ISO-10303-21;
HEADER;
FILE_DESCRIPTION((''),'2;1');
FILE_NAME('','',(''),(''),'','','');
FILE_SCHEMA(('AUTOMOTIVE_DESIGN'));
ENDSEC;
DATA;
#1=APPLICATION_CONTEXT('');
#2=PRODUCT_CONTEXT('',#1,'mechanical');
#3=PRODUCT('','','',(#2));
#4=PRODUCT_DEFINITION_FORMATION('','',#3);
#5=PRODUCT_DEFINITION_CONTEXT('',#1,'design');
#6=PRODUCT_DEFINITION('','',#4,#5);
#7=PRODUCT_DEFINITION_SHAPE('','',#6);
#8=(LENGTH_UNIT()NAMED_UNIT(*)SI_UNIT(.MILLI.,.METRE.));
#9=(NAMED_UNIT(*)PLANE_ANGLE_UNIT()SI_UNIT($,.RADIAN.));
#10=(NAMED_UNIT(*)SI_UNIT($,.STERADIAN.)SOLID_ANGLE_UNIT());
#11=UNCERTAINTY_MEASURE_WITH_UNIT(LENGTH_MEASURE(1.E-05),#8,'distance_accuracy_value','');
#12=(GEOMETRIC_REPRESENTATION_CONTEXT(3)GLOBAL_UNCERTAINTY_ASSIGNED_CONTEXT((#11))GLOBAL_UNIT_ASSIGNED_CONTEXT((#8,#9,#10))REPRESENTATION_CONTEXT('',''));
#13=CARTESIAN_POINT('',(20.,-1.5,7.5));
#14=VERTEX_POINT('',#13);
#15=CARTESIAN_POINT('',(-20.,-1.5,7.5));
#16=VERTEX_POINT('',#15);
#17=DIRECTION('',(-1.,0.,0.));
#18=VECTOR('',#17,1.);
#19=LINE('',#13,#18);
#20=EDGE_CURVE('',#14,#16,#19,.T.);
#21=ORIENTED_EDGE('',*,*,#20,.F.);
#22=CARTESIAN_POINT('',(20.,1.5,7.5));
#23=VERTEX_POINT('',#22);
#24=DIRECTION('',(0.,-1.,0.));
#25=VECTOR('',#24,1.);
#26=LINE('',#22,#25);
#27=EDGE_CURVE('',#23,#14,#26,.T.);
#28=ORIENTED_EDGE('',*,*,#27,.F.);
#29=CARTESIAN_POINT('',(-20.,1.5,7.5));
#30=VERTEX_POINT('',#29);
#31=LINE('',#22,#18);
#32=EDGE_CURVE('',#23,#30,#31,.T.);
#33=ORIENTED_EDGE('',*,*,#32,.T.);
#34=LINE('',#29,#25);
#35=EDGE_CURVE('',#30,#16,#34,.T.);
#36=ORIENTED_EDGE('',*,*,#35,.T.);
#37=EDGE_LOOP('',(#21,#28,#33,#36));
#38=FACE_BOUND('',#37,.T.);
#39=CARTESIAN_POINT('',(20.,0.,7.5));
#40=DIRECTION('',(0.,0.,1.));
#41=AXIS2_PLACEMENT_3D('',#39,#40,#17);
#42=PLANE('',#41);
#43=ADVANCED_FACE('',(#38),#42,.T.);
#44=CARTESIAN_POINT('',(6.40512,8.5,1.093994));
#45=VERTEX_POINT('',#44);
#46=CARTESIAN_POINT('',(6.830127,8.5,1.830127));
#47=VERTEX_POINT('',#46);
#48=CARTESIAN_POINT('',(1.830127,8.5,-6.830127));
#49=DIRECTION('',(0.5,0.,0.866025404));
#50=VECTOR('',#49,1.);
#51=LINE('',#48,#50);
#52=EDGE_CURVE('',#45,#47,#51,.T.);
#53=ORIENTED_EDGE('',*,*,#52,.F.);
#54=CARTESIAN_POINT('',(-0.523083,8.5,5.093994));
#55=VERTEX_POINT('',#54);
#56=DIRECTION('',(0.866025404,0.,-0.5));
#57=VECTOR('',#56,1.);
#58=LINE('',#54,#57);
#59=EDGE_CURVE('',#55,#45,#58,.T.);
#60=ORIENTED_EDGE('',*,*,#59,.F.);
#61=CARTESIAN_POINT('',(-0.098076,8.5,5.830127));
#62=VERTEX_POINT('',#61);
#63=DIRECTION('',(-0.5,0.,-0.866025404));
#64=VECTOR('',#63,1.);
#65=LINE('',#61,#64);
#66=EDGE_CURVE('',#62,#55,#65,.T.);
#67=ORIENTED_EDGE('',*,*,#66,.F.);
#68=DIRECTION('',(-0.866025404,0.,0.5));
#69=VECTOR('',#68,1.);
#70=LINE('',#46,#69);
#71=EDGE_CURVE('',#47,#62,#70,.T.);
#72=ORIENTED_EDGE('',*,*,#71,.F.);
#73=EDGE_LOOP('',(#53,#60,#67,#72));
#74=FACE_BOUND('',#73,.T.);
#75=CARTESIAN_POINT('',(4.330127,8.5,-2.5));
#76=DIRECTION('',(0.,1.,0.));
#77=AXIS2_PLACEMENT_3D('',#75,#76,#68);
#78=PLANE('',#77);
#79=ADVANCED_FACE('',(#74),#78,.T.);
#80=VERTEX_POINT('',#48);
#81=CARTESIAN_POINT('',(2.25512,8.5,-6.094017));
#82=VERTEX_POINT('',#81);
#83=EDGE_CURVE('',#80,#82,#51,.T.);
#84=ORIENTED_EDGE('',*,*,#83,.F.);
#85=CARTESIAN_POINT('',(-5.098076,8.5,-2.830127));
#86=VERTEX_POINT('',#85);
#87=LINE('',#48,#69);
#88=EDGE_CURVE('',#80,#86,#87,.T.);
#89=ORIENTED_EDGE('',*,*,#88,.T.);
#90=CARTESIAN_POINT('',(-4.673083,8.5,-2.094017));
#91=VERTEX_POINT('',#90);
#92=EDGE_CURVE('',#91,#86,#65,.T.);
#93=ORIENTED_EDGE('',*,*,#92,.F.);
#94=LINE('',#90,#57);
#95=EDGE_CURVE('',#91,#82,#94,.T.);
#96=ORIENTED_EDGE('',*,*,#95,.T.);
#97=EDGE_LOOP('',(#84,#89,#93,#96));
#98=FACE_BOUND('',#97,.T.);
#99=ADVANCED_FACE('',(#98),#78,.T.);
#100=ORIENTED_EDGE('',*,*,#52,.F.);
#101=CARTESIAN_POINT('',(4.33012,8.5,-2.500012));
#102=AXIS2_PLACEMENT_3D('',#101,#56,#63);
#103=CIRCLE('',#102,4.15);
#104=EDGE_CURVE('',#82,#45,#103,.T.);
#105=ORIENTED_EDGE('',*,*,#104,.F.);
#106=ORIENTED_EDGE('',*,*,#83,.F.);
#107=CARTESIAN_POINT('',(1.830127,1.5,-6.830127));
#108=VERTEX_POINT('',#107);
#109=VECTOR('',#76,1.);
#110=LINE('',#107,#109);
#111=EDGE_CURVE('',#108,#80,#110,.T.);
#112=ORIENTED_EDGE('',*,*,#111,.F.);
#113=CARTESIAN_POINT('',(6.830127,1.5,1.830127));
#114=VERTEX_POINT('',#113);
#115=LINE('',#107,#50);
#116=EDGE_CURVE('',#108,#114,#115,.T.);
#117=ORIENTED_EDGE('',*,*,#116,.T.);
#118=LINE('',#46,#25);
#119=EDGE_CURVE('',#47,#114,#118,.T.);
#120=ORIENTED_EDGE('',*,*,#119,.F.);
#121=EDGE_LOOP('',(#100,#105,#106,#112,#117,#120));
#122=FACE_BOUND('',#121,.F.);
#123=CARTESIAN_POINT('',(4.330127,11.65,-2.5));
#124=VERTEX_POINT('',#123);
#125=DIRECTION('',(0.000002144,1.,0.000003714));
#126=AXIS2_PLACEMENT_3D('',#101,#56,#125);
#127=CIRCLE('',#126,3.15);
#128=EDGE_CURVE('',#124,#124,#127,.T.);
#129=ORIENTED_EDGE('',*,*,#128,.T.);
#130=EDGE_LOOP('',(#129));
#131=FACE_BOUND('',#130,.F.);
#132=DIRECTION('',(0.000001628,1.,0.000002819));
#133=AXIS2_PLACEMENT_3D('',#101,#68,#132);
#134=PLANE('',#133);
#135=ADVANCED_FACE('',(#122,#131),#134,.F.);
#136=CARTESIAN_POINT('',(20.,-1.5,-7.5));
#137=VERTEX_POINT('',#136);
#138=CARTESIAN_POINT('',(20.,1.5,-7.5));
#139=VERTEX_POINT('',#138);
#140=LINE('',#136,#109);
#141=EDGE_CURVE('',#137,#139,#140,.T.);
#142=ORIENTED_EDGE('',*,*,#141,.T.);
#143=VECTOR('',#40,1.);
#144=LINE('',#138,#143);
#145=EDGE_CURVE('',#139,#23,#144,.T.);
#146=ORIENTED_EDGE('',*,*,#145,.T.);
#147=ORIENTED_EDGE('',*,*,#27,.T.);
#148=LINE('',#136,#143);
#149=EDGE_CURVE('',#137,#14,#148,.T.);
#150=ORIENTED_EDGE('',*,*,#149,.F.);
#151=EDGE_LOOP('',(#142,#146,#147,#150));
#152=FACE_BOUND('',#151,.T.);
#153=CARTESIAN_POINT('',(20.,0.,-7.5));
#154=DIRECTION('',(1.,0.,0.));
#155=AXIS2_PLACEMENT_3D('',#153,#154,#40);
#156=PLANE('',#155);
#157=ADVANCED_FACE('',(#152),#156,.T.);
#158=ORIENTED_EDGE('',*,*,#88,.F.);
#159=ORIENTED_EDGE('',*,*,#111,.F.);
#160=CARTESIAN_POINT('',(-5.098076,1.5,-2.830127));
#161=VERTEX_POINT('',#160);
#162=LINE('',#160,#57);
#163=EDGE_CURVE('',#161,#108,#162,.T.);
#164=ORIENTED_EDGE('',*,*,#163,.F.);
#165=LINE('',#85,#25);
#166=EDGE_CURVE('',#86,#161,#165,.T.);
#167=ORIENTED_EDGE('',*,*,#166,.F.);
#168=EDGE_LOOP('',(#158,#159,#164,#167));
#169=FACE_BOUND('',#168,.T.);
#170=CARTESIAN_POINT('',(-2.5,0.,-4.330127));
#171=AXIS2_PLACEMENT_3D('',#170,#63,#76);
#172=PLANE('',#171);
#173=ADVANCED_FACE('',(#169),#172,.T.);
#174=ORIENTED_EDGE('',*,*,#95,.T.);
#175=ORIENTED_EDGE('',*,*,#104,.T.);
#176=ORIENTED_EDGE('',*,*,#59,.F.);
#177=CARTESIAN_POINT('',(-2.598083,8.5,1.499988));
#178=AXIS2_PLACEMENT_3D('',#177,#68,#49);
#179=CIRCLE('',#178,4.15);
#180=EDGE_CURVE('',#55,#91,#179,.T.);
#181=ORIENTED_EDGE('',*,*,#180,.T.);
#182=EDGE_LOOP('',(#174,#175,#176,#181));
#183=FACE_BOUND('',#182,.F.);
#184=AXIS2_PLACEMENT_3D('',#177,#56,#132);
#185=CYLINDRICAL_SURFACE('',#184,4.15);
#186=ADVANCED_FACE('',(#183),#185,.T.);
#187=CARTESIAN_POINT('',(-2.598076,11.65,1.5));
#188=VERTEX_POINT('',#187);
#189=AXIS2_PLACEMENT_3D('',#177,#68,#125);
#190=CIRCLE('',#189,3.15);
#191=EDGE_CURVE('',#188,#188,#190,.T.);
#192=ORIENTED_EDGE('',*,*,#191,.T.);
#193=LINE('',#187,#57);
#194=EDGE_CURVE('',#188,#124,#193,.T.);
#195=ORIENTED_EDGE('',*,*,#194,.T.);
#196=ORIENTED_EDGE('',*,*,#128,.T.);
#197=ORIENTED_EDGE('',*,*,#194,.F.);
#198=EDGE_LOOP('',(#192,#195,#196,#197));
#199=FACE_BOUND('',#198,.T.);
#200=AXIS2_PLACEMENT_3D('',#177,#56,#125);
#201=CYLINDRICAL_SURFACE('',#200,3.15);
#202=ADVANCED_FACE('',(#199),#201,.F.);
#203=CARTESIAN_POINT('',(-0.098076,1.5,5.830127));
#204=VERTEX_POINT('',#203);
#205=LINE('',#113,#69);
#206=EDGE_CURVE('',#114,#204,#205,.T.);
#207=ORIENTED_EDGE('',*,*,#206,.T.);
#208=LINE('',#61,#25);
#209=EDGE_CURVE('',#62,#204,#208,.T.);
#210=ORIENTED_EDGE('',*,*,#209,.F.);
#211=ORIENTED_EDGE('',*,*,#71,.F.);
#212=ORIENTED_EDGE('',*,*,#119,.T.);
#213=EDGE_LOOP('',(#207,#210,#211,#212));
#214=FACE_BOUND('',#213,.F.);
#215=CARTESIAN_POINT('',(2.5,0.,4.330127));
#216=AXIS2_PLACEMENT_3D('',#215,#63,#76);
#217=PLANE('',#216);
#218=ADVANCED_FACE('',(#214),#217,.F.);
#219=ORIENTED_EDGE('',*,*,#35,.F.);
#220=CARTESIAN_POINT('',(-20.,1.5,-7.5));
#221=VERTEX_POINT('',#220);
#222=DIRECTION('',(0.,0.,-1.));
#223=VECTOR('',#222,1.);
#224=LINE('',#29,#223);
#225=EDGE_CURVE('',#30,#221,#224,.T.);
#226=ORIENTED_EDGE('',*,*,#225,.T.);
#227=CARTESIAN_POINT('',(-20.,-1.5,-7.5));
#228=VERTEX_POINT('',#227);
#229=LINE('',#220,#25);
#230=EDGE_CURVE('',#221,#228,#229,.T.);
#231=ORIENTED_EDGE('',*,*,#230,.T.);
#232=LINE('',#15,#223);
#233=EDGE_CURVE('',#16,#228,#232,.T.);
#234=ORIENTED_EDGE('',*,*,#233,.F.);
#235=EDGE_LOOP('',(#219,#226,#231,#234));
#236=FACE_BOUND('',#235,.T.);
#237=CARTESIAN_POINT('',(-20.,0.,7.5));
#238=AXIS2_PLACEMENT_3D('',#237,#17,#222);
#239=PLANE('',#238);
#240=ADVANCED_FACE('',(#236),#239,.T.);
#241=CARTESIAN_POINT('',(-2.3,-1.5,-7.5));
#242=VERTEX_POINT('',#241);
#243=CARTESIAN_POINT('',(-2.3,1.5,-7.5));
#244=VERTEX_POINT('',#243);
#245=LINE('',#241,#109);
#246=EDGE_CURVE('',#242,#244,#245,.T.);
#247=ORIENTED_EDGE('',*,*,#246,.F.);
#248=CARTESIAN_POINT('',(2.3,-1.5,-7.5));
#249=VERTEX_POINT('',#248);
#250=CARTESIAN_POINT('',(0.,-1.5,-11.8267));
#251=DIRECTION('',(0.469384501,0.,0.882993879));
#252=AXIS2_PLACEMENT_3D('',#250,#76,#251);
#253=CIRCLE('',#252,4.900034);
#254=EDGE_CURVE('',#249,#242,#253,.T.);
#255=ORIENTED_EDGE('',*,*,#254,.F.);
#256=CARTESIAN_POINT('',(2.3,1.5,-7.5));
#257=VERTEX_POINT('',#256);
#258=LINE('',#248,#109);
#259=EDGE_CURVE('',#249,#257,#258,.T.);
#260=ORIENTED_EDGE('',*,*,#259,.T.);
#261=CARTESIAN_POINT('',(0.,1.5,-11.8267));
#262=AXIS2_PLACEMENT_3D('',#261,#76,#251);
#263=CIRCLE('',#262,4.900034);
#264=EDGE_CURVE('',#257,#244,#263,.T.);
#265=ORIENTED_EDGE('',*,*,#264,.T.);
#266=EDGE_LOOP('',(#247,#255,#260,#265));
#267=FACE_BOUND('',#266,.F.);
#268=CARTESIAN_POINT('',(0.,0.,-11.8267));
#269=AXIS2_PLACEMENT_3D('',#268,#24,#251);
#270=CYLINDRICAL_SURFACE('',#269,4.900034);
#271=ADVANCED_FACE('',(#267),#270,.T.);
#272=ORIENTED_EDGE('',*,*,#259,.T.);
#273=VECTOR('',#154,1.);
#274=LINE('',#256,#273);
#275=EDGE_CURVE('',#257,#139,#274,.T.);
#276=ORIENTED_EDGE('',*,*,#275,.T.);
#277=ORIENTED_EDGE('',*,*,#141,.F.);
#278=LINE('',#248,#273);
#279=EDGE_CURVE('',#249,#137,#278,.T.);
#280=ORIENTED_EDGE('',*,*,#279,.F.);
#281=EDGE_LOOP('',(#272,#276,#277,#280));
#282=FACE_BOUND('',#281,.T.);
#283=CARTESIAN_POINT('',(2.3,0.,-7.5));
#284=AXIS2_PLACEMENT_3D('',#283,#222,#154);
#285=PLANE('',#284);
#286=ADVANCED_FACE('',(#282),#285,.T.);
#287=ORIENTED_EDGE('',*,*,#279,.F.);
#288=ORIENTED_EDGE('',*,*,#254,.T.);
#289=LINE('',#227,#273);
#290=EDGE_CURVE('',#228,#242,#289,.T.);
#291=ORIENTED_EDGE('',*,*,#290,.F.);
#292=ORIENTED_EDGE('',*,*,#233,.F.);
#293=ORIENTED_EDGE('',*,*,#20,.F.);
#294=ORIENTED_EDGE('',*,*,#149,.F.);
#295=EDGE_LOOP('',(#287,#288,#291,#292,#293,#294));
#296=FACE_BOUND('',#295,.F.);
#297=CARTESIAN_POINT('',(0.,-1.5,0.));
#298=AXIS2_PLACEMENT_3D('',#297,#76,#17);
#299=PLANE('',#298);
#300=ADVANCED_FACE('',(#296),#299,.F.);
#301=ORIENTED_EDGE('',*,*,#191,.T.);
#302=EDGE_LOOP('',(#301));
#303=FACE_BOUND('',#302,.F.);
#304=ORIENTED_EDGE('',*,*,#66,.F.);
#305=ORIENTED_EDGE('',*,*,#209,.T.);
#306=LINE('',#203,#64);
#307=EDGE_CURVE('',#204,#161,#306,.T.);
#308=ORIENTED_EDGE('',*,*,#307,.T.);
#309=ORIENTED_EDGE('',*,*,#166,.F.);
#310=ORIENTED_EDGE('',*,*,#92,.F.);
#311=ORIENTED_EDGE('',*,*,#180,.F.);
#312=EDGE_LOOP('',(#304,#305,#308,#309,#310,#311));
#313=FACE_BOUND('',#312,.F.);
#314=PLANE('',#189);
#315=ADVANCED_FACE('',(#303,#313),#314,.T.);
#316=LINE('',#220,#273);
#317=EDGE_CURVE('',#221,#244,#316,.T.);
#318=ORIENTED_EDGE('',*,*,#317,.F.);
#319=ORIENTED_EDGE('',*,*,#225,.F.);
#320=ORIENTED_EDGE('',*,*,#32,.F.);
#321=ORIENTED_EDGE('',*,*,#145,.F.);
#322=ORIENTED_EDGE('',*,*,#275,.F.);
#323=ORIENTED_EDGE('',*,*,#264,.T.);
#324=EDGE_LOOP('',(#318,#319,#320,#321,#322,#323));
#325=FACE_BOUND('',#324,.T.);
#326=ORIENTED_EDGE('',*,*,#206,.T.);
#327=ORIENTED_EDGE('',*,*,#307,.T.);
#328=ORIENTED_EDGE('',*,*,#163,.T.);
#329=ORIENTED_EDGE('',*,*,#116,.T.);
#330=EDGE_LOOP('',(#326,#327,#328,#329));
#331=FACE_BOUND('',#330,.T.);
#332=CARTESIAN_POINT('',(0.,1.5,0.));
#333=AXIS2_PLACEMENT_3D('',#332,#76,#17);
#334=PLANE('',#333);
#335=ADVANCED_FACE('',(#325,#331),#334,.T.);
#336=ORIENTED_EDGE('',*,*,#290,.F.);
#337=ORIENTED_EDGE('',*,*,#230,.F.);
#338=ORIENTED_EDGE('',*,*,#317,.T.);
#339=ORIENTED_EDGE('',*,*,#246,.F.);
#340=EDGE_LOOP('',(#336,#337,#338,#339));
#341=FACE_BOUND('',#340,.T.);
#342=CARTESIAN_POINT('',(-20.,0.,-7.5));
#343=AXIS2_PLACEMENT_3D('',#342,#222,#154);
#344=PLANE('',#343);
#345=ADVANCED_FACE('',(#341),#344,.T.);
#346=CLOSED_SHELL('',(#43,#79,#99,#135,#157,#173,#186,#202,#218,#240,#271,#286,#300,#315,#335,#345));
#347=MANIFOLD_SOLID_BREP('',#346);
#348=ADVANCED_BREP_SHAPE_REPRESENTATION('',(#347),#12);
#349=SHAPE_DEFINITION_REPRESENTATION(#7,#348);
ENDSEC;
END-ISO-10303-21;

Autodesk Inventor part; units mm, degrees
ref_plane "XZ Plane" through (0, 0, 0) normal (0, 1, 0) x (-1, 0, 0)
ref_plane "XY Plane" through (0, 0, 0) normal (0, 0, 1) x (1, 0, 0)
sketch "Sketch2" plane through (0, 0, 0) normal (0, 1, 0) x (-1, 0, 0)
  line L0 (-20, -7.5) -> (-20, 7.5)
  line L1 (-20, 7.5) -> (20, 7.5)
  line L2 (20, 7.5) -> (20, -7.5)
  arc A0 (-2.3, -7.5) -> (2.3, -7.5) centre (0, -11.8267) ccw
  line L3 (20, -7.5) -> (2.3, -7.5)
  line L4 (-2.3, -7.5) -> (-20, -7.5)
  point P0 (0, 0)
  point P1 (0, -7.5)
  point P2 (-20, 0)
  point P3 (0, -16.7267)
  dimension "d1" = 40
  dimension "d3" = 15
  dimension "d5" = 4.6
  dimension "d6" = 4.9
extrude "Extrusion1" add sketch "Sketch2" along normal mid plane 3
ref_plane "Work Plane1" through (0, 0, 0) normal (-0.5, 0, -0.866) x (0, 1, 0)
sketch "Sketch3" plane through (0, 0, 0) normal (-0.5, 0, -0.866) x (0, 1, 0)
  line L0 (1.5, 1.7581) -> (1.5, -13.5705) projected
  line L1 (8.5, -3) -> (1.5, -3)
  line L2 (1.5, -3) -> (1.5, 5)
  line L3 (1.5, 5) -> (8.5, 5)
  line L4 (8.5, 5) -> (8.5, -3)
  line L5 (8.5, 1) -> (1.5, 1) construction
  line L6 (6.35, 7) -> (7.35, 9) construction
  line L7 (7, 7) -> (8, 9) construction
  line L8 (8, 9) -> (7.35, 9) construction
  line L9 (7, 7) -> (6.35, 7)
  line L10 (8.5, -3) -> (11.65, -3)
  line L11 (11.65, -3) -> (11.65, 5)
  line L12 (11.65, 5) -> (8.5, 5)
  line L13 (7, 7) -> (6, 5)
  line L14 (6.35, 7) -> (5.35, 5)
  line L15 (8.5, -3) -> (12.65, -3)
  line L16 (12.65, -3) -> (12.65, 5)
  line L17 (12.65, 5) -> (8.5, 5)
  point P0 (0, 0)
  point P1 (5, 1)
  point P2 (1.5, -3)
  dimension "d10" = 8
  dimension "d11" = 7
  dimension "d15" = 4
  dimension "d16" = 1
  dimension "d17" = 2.3
  dimension "d18" = 6.3
  dimension "d19" = 6.3
  dimension "d22" = 8.3
  dimension "d25" = 1
extrude "Extrusion2" add sketch "Sketch3" along normal mid plane 10 contours L2 L3 L4 L1 L0
revolve "Revolution1" cut sketch "Sketch3" angle 360 about axis through (4.3301, 8.5, -2.5) along (-0.866, 0, 0.5) contours L4 L12 L11 L10
revolve "Revolution2" add sketch "Sketch3" angle 360 about axis through (4.3301, 8.5, -2.5) along (-0.866, 0, 0.5) contours L11 L17 L16 L15
equation "\"d19\" = d18"
properties part number "Nozzle Fixer"
